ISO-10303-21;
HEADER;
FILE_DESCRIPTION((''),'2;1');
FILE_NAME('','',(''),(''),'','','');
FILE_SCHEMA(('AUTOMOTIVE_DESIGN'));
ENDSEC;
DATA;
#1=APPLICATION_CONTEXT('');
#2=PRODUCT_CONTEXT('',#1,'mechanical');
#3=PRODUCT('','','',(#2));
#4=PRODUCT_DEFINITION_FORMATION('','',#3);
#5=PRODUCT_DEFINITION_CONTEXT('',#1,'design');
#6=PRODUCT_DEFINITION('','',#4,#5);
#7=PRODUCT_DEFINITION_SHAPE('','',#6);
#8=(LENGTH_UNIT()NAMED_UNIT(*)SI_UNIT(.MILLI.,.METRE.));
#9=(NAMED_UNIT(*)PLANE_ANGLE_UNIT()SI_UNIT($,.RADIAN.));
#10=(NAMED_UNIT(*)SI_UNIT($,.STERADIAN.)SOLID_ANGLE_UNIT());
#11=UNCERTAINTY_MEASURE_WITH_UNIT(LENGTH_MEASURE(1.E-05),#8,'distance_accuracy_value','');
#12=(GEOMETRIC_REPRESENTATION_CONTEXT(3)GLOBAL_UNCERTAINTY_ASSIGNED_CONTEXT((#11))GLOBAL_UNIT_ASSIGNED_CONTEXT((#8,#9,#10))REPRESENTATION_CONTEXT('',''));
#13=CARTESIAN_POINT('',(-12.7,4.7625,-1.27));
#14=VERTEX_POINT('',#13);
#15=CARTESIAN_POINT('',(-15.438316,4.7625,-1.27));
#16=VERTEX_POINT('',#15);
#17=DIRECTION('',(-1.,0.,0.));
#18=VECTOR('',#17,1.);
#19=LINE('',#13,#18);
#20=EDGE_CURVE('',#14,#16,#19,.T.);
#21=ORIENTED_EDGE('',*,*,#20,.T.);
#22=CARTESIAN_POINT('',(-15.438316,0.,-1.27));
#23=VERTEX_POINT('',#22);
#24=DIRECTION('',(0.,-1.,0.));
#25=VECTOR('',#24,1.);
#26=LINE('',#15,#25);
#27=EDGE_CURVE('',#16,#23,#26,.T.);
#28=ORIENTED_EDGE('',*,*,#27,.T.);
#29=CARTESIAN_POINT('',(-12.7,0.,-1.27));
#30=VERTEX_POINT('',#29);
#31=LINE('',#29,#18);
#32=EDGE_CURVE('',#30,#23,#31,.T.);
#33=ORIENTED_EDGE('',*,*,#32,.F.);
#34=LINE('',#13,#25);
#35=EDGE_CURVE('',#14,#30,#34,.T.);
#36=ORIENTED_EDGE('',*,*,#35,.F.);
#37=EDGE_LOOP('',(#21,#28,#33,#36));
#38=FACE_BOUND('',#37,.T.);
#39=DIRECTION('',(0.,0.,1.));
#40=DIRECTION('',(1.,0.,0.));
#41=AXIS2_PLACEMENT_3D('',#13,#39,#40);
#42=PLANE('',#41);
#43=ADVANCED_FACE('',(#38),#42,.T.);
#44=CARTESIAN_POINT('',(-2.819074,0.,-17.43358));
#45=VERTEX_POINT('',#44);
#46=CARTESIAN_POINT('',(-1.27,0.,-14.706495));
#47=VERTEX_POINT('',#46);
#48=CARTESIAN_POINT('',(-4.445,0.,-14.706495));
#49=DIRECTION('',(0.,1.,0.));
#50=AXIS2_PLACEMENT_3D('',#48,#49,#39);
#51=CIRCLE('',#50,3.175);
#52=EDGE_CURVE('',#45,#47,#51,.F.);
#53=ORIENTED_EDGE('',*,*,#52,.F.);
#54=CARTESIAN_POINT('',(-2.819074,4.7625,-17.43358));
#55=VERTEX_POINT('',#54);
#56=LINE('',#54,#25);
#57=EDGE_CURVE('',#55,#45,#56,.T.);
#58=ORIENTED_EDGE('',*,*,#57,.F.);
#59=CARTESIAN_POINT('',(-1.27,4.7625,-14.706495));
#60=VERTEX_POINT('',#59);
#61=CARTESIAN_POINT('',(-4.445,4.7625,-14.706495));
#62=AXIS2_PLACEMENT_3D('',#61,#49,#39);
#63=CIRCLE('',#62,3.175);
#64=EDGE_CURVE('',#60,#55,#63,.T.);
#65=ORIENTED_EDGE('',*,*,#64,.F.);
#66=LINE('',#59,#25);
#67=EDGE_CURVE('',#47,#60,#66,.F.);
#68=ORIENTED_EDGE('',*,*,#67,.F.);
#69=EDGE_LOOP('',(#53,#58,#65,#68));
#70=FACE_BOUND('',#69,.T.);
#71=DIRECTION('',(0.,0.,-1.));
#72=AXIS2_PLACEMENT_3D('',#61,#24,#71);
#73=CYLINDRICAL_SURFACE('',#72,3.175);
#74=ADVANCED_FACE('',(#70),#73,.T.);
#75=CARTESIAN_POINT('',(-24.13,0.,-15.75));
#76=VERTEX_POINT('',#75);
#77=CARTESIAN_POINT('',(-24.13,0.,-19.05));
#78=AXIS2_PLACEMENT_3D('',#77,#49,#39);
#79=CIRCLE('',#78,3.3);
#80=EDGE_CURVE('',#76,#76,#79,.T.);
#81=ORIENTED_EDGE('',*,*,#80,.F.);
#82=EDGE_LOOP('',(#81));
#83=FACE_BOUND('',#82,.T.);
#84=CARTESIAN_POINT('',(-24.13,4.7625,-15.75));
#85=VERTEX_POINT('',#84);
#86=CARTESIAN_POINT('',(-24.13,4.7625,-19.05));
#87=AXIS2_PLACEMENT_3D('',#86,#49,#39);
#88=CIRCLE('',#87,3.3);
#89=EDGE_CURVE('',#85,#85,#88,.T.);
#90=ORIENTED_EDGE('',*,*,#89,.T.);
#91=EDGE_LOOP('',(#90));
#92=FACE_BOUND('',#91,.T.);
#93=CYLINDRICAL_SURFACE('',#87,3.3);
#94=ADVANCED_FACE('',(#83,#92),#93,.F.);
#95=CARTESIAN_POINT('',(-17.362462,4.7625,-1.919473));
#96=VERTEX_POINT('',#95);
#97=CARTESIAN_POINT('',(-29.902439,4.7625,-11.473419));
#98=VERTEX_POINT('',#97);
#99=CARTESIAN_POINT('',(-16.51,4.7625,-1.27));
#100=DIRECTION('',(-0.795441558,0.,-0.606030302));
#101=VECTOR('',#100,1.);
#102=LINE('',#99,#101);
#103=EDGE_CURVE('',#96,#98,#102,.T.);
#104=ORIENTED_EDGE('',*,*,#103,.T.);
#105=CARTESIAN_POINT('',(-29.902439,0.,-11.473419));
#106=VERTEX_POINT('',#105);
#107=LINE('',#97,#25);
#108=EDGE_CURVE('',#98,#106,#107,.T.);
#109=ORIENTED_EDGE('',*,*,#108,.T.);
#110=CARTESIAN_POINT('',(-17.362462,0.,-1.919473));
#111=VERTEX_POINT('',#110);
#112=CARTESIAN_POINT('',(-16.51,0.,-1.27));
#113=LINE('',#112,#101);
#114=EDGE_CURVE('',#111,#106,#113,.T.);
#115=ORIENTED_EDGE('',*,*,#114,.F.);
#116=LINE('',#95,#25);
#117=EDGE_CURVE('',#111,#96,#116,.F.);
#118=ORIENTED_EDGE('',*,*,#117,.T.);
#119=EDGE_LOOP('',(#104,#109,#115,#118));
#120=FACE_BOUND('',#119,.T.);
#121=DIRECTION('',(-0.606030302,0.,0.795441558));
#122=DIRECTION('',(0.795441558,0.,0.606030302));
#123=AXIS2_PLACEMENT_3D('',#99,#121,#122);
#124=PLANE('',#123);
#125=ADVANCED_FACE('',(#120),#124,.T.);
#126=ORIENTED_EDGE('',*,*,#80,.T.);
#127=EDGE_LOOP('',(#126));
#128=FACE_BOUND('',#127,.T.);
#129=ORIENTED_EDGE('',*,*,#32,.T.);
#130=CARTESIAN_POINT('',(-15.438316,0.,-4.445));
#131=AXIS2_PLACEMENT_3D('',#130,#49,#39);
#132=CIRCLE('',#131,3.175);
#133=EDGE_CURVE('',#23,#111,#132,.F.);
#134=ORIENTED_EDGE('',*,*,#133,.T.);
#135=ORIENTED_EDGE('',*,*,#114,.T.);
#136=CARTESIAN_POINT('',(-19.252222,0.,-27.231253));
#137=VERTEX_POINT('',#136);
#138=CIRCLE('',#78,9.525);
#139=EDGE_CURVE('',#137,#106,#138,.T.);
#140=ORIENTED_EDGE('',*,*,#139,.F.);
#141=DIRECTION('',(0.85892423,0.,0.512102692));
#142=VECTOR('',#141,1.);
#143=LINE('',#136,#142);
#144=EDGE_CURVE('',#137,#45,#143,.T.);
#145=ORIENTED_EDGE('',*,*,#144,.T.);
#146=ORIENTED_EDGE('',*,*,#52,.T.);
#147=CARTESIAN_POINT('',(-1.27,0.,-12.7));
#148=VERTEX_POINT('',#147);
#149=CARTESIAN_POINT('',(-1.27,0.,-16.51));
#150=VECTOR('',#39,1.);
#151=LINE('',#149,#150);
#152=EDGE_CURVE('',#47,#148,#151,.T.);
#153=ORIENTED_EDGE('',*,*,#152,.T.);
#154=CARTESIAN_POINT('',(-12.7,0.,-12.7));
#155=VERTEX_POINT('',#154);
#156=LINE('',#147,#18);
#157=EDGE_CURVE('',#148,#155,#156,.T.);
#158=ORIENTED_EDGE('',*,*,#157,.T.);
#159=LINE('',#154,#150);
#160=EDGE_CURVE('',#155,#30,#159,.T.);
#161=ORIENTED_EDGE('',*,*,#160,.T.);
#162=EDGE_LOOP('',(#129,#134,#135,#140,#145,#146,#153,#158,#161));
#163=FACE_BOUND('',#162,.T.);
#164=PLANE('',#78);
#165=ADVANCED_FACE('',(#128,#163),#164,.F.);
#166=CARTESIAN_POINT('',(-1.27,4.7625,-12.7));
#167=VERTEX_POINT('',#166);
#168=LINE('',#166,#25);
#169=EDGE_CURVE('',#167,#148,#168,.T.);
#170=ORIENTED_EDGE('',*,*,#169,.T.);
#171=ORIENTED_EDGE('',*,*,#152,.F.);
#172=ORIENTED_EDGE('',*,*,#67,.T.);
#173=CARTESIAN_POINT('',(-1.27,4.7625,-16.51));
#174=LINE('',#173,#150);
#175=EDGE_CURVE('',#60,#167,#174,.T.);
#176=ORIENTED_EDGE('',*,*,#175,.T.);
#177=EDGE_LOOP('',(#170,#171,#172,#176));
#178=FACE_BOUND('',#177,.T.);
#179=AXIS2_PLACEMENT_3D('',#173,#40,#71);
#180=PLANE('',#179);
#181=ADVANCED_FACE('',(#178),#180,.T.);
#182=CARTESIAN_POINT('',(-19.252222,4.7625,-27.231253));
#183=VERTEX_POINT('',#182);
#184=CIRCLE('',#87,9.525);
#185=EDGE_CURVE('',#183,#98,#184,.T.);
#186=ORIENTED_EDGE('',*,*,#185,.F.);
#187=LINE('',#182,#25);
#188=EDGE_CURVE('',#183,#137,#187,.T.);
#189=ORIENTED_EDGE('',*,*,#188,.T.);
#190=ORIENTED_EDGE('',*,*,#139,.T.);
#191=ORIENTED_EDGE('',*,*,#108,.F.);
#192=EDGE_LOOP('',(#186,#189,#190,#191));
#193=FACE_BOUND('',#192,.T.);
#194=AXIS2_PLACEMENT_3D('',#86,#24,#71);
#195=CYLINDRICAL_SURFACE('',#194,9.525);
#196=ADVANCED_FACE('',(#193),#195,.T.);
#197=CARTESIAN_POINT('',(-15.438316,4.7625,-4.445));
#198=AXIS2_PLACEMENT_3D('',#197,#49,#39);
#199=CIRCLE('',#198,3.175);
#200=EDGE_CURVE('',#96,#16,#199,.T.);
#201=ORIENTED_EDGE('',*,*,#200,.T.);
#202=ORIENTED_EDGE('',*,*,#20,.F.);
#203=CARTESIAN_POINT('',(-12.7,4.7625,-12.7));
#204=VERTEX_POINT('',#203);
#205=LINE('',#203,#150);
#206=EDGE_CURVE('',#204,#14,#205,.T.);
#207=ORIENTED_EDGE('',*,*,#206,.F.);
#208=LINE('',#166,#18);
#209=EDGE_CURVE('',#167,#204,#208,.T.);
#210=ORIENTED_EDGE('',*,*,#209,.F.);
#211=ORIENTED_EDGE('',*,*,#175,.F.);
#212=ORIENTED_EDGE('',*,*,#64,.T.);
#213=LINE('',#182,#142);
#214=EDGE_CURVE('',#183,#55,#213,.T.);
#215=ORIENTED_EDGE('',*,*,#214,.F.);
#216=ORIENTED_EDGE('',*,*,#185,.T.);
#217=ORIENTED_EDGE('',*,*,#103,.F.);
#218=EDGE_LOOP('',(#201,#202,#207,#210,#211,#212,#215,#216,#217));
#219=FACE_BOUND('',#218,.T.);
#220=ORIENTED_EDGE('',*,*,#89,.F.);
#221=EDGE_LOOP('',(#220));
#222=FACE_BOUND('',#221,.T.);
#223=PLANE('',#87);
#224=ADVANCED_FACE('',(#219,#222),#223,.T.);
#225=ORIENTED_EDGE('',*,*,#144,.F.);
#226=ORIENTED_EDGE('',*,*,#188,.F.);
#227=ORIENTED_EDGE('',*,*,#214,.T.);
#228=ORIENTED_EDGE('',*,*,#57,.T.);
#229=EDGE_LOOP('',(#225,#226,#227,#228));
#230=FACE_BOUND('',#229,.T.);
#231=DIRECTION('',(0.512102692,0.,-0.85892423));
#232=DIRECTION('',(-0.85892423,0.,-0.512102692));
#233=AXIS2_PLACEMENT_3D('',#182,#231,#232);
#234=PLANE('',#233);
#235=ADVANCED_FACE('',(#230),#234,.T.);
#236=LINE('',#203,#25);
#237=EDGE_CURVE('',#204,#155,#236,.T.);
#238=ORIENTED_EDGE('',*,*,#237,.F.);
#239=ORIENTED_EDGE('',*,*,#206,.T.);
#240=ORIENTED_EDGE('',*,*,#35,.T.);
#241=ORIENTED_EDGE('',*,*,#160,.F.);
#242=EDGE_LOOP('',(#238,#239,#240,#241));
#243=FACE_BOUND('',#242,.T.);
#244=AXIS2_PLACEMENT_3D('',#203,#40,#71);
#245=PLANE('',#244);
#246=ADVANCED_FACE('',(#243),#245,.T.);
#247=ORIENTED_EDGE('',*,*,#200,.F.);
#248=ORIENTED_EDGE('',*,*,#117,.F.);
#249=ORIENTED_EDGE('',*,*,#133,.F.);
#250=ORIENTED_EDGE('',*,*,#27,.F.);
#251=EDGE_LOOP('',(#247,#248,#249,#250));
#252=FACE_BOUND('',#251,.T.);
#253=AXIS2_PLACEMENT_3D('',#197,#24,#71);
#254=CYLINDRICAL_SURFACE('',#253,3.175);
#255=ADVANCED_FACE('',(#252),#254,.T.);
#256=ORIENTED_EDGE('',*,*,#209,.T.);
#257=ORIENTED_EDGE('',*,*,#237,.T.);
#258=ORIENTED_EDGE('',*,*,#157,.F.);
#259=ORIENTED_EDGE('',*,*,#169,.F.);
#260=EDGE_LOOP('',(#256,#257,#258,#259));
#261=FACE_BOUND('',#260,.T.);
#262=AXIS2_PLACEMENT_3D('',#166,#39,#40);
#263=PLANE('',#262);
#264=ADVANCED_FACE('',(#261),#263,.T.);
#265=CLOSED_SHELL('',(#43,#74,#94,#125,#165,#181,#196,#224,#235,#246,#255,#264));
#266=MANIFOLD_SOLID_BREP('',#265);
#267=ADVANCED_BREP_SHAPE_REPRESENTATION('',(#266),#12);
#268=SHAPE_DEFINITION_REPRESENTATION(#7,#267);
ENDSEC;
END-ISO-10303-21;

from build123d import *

# Parameters (mm, degrees)
BOSS_EXTRUDE1_DEPTH  = 4.7625
FILLET1_R            = 3.175
M6_CLEARANCE_HOLE1_D = 6.6


with BuildPart() as part:
    # Sketch1 → Boss-Extrude1 (new body)
    with BuildSketch(Plane(origin=(0, 0, 0), x_dir=(1, 0, 0), z_dir=(0, 1, 0))):
        with BuildLine():
            Line((-19.252221857, 27.231253289), (-1.27, 16.51))
            Line((-1.27, 16.51), (-1.27, 12.7))
            Line((-1.27, 12.7), (-12.7, 12.7))
            Line((-12.7, 12.7), (-12.7, 1.27))
            Line((-12.7, 1.27), (-16.51, 1.27))
            Line((-16.51, 1.27), (-29.902438631, 11.473419158))
            ThreePointArc((-29.902438631, 11.473419158), (-32.02160557, 24.383684142), (-19.252221857, 27.231253289))
        make_face()
    extrude(amount=BOSS_EXTRUDE1_DEPTH)

    # Fillet1
    fillet1_edges = [part.edges().sort_by_distance(p)[0] for p in [
        (-16.51, 2.38125, -1.27),
        (-1.27, 2.38125, -16.51),
    ]]
    fillet(fillet1_edges, radius=FILLET1_R)

    # M6 Clearance Hole1 (through all)
    with Locations(Plane(origin=(0, 4.7625, 0), x_dir=(1, 0, 0), z_dir=(0, 1, 0))):
        with Locations((-24.13, 19.05)):
            Hole(M6_CLEARANCE_HOLE1_D / 2)


solid = part.part
